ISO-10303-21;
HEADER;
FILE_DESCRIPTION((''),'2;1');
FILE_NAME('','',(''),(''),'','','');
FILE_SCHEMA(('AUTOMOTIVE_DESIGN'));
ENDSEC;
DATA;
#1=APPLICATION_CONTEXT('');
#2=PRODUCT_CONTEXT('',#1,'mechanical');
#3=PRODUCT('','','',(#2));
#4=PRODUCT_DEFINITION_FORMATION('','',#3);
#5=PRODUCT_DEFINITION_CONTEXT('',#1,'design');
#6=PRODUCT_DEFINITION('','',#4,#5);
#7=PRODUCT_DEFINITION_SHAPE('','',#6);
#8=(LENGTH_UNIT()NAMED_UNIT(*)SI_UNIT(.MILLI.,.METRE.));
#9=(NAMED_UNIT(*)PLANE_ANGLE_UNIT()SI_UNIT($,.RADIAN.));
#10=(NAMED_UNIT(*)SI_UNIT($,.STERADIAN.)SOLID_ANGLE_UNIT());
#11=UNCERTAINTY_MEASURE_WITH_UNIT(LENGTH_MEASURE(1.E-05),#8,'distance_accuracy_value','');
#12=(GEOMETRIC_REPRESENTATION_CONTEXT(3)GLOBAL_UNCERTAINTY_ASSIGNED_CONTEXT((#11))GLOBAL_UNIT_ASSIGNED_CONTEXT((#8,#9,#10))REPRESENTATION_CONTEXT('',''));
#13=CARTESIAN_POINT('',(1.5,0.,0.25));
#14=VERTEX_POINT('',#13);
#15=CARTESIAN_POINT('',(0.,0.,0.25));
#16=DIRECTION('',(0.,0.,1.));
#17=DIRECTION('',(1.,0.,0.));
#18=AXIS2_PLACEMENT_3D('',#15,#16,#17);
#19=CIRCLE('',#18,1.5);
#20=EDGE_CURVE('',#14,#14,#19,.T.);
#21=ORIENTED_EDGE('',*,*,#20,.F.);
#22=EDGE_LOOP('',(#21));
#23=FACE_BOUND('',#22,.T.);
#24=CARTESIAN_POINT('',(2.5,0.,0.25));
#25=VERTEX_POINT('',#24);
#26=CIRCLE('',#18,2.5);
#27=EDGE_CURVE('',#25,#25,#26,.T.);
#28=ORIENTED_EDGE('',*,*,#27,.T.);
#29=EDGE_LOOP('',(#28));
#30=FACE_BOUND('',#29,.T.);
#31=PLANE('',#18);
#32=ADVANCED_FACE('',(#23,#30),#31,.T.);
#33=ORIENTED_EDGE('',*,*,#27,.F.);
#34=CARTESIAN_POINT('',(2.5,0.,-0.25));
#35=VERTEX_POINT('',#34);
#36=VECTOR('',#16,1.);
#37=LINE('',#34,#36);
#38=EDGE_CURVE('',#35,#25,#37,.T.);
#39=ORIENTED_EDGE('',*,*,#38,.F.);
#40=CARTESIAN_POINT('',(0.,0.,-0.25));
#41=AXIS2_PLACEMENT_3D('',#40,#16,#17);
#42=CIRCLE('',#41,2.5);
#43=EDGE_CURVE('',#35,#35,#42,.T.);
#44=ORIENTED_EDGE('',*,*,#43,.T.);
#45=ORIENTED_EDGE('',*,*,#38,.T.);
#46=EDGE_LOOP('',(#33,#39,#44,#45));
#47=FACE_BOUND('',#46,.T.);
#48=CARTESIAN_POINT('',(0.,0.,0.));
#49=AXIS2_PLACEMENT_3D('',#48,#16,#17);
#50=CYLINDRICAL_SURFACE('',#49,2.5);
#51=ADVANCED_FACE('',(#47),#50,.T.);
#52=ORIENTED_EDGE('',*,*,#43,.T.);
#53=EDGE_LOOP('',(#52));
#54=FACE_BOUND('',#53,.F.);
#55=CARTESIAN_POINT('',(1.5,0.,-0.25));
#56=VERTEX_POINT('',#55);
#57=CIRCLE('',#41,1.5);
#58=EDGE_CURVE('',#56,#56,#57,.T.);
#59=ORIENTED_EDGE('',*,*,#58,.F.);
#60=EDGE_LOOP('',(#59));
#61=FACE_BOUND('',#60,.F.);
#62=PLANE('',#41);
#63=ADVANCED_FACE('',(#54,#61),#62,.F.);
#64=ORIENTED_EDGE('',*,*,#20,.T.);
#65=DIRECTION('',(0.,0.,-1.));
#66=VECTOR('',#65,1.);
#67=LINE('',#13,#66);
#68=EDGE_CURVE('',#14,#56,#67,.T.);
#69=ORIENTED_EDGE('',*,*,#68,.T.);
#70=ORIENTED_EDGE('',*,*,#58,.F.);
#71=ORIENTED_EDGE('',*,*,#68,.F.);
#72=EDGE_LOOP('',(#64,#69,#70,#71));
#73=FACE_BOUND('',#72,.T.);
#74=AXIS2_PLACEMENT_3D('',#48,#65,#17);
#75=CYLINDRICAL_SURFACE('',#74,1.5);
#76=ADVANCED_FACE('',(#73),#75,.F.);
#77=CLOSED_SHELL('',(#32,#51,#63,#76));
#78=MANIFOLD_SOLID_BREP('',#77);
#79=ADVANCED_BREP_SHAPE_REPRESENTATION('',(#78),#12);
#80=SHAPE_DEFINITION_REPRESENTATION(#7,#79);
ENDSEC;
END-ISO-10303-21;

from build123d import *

# Parameters (mm, degrees)
SKETCH_1_R      = 2.5
SKETCH_1_R_2    = 1.5
EXTRUDE_1_DEPTH = 0.25


with BuildPart() as part:
    # 草图1 → 凸台-拉伸1 (new body, symmetric)
    with BuildSketch(Plane.XY):
        Circle(SKETCH_1_R)
        Circle(SKETCH_1_R_2, mode=Mode.SUBTRACT)
    extrude(amount=EXTRUDE_1_DEPTH, both=True)


solid = part.part
